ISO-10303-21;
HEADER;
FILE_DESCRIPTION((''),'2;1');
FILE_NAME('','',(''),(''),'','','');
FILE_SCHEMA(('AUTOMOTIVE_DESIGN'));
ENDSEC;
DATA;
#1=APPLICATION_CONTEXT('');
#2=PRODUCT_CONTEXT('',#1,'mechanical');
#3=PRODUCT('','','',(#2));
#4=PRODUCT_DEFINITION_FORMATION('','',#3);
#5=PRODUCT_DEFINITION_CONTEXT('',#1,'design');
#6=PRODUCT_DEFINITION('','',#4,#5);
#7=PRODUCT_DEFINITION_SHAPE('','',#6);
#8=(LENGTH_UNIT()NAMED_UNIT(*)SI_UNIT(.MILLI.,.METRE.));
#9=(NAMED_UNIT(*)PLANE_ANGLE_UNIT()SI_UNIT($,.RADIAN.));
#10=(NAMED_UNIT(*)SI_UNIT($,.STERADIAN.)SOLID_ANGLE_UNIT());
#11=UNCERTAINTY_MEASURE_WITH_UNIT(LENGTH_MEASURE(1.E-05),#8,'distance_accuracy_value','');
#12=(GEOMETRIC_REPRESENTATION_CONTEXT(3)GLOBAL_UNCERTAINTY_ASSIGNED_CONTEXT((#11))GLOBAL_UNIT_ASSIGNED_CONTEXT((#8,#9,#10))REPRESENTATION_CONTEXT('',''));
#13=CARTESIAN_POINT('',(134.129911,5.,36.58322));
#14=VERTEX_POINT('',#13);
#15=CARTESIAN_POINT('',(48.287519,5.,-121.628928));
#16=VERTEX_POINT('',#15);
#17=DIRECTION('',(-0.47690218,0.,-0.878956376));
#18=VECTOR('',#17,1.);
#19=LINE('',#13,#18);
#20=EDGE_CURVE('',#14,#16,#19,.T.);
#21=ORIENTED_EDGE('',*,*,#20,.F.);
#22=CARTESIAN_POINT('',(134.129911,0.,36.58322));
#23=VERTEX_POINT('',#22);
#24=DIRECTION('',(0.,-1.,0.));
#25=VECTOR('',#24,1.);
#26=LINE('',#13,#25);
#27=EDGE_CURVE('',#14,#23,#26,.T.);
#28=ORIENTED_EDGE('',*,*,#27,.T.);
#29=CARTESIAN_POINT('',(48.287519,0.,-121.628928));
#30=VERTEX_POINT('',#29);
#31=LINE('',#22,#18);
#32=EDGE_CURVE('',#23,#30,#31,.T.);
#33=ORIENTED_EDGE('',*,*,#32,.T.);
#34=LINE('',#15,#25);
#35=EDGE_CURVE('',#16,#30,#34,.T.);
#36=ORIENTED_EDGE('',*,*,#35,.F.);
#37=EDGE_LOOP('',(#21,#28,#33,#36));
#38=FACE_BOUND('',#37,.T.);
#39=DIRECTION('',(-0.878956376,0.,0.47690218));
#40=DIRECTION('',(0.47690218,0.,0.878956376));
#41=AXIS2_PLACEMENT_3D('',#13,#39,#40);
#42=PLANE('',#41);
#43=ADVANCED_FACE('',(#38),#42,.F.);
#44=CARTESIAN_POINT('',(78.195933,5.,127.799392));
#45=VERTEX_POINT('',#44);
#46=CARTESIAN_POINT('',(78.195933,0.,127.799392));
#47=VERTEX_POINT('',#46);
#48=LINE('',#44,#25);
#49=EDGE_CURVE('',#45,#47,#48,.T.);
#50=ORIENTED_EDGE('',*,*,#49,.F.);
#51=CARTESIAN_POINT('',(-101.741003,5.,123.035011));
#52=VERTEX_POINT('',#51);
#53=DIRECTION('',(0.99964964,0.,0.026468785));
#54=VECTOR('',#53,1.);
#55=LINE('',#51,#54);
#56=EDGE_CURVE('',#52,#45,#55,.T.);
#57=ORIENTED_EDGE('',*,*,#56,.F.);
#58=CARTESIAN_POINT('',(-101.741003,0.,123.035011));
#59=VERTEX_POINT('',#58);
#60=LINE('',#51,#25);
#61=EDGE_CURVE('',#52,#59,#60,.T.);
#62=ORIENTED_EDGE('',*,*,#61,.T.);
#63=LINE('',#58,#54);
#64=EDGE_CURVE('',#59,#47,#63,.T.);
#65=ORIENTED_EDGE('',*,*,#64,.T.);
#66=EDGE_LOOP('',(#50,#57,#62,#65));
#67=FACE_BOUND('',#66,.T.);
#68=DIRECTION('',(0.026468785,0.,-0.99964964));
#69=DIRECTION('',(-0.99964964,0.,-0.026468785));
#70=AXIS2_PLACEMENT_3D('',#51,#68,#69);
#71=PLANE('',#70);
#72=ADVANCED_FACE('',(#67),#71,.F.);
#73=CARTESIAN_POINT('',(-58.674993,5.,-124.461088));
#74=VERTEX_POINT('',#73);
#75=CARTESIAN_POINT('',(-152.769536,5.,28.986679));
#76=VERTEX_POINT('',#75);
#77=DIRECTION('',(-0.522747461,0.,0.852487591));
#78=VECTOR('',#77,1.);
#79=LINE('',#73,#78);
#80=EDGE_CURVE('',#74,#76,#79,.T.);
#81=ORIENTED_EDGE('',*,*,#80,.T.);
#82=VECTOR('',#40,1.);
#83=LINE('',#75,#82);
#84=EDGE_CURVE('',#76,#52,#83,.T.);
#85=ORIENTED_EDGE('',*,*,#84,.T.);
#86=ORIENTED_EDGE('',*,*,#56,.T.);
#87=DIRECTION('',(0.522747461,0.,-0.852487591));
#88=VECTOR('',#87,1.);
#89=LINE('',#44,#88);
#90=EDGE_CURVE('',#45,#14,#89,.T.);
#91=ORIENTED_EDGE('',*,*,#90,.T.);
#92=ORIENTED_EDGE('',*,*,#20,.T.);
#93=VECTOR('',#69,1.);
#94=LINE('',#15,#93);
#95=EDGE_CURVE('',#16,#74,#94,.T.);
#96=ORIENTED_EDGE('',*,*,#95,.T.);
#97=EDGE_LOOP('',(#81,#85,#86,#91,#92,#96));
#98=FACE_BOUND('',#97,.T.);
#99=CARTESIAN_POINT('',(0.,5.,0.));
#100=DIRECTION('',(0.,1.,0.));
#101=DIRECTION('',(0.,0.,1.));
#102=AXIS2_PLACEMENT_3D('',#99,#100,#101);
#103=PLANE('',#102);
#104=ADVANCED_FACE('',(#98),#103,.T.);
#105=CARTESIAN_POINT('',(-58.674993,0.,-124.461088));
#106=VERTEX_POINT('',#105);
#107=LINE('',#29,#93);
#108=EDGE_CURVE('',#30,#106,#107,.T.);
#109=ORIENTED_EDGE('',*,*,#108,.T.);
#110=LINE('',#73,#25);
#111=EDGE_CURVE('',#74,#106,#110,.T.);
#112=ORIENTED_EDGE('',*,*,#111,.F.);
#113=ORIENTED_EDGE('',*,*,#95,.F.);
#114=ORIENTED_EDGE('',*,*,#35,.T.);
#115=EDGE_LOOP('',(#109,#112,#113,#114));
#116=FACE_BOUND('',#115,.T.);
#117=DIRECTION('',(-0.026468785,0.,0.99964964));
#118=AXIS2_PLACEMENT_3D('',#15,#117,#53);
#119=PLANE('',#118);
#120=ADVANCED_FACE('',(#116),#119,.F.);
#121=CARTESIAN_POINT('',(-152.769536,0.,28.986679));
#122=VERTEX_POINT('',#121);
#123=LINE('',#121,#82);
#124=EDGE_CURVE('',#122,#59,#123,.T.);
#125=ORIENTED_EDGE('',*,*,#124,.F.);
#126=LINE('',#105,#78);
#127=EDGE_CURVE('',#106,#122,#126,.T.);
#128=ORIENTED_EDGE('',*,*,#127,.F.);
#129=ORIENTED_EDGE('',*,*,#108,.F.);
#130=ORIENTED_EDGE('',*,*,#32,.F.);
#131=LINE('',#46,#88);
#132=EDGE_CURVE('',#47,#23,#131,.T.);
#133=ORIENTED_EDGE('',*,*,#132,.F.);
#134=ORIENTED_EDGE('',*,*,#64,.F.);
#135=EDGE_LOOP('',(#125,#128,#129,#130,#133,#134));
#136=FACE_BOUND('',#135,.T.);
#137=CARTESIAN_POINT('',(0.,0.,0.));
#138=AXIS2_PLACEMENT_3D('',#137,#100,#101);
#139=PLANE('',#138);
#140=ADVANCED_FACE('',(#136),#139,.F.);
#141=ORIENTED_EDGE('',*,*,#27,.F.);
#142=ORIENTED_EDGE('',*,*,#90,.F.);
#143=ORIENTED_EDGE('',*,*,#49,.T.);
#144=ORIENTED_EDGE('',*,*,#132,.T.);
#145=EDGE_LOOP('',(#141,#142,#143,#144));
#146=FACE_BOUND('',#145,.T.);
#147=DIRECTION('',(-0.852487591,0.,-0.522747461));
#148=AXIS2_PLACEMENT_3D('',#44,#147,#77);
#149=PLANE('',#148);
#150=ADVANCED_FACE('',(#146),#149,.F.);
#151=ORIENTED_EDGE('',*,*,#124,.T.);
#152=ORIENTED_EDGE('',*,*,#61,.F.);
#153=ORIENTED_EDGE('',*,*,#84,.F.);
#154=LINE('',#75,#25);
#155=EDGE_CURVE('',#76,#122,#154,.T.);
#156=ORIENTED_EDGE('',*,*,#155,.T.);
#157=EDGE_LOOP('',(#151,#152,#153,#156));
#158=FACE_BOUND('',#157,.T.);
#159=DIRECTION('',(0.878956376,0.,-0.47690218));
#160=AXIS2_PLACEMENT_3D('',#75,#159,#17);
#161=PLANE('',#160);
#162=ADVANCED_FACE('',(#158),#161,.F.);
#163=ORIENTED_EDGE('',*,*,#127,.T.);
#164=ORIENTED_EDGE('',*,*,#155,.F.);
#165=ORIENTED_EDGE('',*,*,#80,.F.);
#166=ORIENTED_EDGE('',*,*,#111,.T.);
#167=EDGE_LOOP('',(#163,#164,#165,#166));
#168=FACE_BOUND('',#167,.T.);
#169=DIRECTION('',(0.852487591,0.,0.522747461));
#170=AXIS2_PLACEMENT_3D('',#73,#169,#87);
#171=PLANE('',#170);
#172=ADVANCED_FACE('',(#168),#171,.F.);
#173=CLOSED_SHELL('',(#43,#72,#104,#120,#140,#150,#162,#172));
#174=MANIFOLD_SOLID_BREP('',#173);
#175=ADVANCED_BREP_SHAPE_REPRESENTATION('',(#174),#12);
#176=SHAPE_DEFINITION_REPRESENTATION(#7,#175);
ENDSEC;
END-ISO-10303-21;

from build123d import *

# Parameters (mm, degrees)
BOSS_EXTRUDE1_DEPTH = 5


with BuildPart() as part:
    # Sketch1 → Boss-Extrude1 (new body)
    with BuildSketch(Plane(origin=(0, 0, 0), x_dir=(1, 0, 0), z_dir=(0, 1, 0))):
        Polygon((48.287518611, 121.62892761), (-58.674992904, 124.461087625), (-152.769535802, -28.986678722), (-101.741002564, -123.035010955), (78.195932695, -127.799392288), (134.129910973, -36.58322007), align=None)
    extrude(amount=BOSS_EXTRUDE1_DEPTH)


solid = part.part
